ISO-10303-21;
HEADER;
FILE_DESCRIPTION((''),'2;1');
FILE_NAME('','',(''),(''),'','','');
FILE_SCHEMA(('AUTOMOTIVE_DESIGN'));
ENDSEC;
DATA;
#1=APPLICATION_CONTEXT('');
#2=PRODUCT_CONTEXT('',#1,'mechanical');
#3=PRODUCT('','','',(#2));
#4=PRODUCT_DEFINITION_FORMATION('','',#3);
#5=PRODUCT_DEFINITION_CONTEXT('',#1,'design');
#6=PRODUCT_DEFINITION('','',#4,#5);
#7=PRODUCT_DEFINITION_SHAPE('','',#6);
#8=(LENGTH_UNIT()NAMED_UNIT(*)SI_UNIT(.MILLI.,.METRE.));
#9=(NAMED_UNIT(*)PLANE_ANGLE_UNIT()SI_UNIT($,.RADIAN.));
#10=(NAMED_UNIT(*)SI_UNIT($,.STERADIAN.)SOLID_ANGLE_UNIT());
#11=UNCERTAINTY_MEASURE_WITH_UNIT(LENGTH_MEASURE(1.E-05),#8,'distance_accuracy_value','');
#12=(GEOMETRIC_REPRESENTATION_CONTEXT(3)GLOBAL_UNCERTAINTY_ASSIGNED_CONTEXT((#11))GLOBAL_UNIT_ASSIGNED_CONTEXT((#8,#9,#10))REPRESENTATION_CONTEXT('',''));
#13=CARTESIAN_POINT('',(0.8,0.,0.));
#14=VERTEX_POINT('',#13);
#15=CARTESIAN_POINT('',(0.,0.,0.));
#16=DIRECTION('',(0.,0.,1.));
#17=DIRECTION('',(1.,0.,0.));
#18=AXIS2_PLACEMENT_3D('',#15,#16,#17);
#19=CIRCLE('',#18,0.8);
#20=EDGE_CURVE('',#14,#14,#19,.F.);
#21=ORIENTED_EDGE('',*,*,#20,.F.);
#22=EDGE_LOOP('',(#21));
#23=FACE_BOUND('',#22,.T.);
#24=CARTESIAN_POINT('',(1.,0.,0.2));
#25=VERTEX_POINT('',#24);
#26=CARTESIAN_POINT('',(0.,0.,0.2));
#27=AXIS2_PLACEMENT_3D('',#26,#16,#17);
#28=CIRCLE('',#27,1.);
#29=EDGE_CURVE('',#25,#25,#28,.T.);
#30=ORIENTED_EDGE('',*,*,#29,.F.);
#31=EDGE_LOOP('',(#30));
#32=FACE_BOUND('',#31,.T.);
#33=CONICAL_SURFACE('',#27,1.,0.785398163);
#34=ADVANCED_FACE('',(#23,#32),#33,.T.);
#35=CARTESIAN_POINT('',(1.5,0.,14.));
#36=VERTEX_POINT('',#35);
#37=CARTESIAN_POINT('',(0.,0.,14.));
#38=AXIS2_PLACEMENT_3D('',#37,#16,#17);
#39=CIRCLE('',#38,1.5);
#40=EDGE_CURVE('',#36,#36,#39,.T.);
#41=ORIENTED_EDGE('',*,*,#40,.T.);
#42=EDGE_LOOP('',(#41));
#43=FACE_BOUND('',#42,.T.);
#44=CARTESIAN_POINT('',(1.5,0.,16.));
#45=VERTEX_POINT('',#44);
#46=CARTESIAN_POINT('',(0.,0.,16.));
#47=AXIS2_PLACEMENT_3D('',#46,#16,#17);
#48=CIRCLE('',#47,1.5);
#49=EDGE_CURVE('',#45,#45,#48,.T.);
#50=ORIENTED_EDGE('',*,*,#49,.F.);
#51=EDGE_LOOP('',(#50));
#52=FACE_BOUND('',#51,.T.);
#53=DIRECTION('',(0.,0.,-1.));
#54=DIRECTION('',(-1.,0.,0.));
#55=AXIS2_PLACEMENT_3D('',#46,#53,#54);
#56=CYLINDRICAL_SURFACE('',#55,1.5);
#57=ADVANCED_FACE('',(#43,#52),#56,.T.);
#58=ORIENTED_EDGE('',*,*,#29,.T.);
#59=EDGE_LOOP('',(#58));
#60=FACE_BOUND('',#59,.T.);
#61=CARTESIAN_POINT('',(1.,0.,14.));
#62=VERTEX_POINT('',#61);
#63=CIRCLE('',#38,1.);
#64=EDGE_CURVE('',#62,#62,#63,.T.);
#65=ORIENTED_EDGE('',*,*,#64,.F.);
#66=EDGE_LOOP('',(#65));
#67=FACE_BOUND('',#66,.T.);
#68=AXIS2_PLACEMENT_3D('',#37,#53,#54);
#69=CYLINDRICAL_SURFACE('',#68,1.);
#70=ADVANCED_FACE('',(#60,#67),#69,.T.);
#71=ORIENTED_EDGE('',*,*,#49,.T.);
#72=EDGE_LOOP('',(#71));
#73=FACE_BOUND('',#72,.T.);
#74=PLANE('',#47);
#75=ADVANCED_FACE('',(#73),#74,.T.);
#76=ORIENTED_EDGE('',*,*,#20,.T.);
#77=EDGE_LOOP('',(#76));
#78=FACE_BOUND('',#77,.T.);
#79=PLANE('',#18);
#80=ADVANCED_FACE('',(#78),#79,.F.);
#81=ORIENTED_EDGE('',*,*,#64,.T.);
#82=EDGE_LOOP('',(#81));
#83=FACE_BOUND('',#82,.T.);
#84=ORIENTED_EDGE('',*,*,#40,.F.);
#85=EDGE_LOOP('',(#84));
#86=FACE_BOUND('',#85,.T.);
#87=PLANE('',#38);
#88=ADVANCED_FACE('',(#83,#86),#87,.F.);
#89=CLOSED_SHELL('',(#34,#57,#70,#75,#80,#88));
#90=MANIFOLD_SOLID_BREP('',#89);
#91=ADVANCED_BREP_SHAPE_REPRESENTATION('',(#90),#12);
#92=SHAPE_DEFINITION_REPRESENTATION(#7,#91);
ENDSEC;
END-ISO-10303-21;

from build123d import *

# Parameters (mm, degrees)
CROQUIS1_R              = 1
SALIENTE_EXTRUIR1_DEPTH = 14
CROQUIS2_R              = 1.5
SALIENTE_EXTRUIR2_DEPTH = 2
CHAFL_N1_SIZE           = 0.2


with BuildPart() as part:
    # Croquis1 → Saliente-Extruir1 (new body)
    with BuildSketch(Plane.XY):
        Circle(CROQUIS1_R)
    extrude(amount=SALIENTE_EXTRUIR1_DEPTH)

    # Croquis2 → Saliente-Extruir2 (add)
    with BuildSketch(Plane.XY.offset(14)):
        Circle(CROQUIS2_R)
    extrude(amount=SALIENTE_EXTRUIR2_DEPTH)

    # Chaflán1
    chafl_n1_edges = [part.edges().sort_by_distance(p)[0] for p in [
        (-1, 0, 0),
    ]]
    chamfer(chafl_n1_edges, length=CHAFL_N1_SIZE)


solid = part.part
